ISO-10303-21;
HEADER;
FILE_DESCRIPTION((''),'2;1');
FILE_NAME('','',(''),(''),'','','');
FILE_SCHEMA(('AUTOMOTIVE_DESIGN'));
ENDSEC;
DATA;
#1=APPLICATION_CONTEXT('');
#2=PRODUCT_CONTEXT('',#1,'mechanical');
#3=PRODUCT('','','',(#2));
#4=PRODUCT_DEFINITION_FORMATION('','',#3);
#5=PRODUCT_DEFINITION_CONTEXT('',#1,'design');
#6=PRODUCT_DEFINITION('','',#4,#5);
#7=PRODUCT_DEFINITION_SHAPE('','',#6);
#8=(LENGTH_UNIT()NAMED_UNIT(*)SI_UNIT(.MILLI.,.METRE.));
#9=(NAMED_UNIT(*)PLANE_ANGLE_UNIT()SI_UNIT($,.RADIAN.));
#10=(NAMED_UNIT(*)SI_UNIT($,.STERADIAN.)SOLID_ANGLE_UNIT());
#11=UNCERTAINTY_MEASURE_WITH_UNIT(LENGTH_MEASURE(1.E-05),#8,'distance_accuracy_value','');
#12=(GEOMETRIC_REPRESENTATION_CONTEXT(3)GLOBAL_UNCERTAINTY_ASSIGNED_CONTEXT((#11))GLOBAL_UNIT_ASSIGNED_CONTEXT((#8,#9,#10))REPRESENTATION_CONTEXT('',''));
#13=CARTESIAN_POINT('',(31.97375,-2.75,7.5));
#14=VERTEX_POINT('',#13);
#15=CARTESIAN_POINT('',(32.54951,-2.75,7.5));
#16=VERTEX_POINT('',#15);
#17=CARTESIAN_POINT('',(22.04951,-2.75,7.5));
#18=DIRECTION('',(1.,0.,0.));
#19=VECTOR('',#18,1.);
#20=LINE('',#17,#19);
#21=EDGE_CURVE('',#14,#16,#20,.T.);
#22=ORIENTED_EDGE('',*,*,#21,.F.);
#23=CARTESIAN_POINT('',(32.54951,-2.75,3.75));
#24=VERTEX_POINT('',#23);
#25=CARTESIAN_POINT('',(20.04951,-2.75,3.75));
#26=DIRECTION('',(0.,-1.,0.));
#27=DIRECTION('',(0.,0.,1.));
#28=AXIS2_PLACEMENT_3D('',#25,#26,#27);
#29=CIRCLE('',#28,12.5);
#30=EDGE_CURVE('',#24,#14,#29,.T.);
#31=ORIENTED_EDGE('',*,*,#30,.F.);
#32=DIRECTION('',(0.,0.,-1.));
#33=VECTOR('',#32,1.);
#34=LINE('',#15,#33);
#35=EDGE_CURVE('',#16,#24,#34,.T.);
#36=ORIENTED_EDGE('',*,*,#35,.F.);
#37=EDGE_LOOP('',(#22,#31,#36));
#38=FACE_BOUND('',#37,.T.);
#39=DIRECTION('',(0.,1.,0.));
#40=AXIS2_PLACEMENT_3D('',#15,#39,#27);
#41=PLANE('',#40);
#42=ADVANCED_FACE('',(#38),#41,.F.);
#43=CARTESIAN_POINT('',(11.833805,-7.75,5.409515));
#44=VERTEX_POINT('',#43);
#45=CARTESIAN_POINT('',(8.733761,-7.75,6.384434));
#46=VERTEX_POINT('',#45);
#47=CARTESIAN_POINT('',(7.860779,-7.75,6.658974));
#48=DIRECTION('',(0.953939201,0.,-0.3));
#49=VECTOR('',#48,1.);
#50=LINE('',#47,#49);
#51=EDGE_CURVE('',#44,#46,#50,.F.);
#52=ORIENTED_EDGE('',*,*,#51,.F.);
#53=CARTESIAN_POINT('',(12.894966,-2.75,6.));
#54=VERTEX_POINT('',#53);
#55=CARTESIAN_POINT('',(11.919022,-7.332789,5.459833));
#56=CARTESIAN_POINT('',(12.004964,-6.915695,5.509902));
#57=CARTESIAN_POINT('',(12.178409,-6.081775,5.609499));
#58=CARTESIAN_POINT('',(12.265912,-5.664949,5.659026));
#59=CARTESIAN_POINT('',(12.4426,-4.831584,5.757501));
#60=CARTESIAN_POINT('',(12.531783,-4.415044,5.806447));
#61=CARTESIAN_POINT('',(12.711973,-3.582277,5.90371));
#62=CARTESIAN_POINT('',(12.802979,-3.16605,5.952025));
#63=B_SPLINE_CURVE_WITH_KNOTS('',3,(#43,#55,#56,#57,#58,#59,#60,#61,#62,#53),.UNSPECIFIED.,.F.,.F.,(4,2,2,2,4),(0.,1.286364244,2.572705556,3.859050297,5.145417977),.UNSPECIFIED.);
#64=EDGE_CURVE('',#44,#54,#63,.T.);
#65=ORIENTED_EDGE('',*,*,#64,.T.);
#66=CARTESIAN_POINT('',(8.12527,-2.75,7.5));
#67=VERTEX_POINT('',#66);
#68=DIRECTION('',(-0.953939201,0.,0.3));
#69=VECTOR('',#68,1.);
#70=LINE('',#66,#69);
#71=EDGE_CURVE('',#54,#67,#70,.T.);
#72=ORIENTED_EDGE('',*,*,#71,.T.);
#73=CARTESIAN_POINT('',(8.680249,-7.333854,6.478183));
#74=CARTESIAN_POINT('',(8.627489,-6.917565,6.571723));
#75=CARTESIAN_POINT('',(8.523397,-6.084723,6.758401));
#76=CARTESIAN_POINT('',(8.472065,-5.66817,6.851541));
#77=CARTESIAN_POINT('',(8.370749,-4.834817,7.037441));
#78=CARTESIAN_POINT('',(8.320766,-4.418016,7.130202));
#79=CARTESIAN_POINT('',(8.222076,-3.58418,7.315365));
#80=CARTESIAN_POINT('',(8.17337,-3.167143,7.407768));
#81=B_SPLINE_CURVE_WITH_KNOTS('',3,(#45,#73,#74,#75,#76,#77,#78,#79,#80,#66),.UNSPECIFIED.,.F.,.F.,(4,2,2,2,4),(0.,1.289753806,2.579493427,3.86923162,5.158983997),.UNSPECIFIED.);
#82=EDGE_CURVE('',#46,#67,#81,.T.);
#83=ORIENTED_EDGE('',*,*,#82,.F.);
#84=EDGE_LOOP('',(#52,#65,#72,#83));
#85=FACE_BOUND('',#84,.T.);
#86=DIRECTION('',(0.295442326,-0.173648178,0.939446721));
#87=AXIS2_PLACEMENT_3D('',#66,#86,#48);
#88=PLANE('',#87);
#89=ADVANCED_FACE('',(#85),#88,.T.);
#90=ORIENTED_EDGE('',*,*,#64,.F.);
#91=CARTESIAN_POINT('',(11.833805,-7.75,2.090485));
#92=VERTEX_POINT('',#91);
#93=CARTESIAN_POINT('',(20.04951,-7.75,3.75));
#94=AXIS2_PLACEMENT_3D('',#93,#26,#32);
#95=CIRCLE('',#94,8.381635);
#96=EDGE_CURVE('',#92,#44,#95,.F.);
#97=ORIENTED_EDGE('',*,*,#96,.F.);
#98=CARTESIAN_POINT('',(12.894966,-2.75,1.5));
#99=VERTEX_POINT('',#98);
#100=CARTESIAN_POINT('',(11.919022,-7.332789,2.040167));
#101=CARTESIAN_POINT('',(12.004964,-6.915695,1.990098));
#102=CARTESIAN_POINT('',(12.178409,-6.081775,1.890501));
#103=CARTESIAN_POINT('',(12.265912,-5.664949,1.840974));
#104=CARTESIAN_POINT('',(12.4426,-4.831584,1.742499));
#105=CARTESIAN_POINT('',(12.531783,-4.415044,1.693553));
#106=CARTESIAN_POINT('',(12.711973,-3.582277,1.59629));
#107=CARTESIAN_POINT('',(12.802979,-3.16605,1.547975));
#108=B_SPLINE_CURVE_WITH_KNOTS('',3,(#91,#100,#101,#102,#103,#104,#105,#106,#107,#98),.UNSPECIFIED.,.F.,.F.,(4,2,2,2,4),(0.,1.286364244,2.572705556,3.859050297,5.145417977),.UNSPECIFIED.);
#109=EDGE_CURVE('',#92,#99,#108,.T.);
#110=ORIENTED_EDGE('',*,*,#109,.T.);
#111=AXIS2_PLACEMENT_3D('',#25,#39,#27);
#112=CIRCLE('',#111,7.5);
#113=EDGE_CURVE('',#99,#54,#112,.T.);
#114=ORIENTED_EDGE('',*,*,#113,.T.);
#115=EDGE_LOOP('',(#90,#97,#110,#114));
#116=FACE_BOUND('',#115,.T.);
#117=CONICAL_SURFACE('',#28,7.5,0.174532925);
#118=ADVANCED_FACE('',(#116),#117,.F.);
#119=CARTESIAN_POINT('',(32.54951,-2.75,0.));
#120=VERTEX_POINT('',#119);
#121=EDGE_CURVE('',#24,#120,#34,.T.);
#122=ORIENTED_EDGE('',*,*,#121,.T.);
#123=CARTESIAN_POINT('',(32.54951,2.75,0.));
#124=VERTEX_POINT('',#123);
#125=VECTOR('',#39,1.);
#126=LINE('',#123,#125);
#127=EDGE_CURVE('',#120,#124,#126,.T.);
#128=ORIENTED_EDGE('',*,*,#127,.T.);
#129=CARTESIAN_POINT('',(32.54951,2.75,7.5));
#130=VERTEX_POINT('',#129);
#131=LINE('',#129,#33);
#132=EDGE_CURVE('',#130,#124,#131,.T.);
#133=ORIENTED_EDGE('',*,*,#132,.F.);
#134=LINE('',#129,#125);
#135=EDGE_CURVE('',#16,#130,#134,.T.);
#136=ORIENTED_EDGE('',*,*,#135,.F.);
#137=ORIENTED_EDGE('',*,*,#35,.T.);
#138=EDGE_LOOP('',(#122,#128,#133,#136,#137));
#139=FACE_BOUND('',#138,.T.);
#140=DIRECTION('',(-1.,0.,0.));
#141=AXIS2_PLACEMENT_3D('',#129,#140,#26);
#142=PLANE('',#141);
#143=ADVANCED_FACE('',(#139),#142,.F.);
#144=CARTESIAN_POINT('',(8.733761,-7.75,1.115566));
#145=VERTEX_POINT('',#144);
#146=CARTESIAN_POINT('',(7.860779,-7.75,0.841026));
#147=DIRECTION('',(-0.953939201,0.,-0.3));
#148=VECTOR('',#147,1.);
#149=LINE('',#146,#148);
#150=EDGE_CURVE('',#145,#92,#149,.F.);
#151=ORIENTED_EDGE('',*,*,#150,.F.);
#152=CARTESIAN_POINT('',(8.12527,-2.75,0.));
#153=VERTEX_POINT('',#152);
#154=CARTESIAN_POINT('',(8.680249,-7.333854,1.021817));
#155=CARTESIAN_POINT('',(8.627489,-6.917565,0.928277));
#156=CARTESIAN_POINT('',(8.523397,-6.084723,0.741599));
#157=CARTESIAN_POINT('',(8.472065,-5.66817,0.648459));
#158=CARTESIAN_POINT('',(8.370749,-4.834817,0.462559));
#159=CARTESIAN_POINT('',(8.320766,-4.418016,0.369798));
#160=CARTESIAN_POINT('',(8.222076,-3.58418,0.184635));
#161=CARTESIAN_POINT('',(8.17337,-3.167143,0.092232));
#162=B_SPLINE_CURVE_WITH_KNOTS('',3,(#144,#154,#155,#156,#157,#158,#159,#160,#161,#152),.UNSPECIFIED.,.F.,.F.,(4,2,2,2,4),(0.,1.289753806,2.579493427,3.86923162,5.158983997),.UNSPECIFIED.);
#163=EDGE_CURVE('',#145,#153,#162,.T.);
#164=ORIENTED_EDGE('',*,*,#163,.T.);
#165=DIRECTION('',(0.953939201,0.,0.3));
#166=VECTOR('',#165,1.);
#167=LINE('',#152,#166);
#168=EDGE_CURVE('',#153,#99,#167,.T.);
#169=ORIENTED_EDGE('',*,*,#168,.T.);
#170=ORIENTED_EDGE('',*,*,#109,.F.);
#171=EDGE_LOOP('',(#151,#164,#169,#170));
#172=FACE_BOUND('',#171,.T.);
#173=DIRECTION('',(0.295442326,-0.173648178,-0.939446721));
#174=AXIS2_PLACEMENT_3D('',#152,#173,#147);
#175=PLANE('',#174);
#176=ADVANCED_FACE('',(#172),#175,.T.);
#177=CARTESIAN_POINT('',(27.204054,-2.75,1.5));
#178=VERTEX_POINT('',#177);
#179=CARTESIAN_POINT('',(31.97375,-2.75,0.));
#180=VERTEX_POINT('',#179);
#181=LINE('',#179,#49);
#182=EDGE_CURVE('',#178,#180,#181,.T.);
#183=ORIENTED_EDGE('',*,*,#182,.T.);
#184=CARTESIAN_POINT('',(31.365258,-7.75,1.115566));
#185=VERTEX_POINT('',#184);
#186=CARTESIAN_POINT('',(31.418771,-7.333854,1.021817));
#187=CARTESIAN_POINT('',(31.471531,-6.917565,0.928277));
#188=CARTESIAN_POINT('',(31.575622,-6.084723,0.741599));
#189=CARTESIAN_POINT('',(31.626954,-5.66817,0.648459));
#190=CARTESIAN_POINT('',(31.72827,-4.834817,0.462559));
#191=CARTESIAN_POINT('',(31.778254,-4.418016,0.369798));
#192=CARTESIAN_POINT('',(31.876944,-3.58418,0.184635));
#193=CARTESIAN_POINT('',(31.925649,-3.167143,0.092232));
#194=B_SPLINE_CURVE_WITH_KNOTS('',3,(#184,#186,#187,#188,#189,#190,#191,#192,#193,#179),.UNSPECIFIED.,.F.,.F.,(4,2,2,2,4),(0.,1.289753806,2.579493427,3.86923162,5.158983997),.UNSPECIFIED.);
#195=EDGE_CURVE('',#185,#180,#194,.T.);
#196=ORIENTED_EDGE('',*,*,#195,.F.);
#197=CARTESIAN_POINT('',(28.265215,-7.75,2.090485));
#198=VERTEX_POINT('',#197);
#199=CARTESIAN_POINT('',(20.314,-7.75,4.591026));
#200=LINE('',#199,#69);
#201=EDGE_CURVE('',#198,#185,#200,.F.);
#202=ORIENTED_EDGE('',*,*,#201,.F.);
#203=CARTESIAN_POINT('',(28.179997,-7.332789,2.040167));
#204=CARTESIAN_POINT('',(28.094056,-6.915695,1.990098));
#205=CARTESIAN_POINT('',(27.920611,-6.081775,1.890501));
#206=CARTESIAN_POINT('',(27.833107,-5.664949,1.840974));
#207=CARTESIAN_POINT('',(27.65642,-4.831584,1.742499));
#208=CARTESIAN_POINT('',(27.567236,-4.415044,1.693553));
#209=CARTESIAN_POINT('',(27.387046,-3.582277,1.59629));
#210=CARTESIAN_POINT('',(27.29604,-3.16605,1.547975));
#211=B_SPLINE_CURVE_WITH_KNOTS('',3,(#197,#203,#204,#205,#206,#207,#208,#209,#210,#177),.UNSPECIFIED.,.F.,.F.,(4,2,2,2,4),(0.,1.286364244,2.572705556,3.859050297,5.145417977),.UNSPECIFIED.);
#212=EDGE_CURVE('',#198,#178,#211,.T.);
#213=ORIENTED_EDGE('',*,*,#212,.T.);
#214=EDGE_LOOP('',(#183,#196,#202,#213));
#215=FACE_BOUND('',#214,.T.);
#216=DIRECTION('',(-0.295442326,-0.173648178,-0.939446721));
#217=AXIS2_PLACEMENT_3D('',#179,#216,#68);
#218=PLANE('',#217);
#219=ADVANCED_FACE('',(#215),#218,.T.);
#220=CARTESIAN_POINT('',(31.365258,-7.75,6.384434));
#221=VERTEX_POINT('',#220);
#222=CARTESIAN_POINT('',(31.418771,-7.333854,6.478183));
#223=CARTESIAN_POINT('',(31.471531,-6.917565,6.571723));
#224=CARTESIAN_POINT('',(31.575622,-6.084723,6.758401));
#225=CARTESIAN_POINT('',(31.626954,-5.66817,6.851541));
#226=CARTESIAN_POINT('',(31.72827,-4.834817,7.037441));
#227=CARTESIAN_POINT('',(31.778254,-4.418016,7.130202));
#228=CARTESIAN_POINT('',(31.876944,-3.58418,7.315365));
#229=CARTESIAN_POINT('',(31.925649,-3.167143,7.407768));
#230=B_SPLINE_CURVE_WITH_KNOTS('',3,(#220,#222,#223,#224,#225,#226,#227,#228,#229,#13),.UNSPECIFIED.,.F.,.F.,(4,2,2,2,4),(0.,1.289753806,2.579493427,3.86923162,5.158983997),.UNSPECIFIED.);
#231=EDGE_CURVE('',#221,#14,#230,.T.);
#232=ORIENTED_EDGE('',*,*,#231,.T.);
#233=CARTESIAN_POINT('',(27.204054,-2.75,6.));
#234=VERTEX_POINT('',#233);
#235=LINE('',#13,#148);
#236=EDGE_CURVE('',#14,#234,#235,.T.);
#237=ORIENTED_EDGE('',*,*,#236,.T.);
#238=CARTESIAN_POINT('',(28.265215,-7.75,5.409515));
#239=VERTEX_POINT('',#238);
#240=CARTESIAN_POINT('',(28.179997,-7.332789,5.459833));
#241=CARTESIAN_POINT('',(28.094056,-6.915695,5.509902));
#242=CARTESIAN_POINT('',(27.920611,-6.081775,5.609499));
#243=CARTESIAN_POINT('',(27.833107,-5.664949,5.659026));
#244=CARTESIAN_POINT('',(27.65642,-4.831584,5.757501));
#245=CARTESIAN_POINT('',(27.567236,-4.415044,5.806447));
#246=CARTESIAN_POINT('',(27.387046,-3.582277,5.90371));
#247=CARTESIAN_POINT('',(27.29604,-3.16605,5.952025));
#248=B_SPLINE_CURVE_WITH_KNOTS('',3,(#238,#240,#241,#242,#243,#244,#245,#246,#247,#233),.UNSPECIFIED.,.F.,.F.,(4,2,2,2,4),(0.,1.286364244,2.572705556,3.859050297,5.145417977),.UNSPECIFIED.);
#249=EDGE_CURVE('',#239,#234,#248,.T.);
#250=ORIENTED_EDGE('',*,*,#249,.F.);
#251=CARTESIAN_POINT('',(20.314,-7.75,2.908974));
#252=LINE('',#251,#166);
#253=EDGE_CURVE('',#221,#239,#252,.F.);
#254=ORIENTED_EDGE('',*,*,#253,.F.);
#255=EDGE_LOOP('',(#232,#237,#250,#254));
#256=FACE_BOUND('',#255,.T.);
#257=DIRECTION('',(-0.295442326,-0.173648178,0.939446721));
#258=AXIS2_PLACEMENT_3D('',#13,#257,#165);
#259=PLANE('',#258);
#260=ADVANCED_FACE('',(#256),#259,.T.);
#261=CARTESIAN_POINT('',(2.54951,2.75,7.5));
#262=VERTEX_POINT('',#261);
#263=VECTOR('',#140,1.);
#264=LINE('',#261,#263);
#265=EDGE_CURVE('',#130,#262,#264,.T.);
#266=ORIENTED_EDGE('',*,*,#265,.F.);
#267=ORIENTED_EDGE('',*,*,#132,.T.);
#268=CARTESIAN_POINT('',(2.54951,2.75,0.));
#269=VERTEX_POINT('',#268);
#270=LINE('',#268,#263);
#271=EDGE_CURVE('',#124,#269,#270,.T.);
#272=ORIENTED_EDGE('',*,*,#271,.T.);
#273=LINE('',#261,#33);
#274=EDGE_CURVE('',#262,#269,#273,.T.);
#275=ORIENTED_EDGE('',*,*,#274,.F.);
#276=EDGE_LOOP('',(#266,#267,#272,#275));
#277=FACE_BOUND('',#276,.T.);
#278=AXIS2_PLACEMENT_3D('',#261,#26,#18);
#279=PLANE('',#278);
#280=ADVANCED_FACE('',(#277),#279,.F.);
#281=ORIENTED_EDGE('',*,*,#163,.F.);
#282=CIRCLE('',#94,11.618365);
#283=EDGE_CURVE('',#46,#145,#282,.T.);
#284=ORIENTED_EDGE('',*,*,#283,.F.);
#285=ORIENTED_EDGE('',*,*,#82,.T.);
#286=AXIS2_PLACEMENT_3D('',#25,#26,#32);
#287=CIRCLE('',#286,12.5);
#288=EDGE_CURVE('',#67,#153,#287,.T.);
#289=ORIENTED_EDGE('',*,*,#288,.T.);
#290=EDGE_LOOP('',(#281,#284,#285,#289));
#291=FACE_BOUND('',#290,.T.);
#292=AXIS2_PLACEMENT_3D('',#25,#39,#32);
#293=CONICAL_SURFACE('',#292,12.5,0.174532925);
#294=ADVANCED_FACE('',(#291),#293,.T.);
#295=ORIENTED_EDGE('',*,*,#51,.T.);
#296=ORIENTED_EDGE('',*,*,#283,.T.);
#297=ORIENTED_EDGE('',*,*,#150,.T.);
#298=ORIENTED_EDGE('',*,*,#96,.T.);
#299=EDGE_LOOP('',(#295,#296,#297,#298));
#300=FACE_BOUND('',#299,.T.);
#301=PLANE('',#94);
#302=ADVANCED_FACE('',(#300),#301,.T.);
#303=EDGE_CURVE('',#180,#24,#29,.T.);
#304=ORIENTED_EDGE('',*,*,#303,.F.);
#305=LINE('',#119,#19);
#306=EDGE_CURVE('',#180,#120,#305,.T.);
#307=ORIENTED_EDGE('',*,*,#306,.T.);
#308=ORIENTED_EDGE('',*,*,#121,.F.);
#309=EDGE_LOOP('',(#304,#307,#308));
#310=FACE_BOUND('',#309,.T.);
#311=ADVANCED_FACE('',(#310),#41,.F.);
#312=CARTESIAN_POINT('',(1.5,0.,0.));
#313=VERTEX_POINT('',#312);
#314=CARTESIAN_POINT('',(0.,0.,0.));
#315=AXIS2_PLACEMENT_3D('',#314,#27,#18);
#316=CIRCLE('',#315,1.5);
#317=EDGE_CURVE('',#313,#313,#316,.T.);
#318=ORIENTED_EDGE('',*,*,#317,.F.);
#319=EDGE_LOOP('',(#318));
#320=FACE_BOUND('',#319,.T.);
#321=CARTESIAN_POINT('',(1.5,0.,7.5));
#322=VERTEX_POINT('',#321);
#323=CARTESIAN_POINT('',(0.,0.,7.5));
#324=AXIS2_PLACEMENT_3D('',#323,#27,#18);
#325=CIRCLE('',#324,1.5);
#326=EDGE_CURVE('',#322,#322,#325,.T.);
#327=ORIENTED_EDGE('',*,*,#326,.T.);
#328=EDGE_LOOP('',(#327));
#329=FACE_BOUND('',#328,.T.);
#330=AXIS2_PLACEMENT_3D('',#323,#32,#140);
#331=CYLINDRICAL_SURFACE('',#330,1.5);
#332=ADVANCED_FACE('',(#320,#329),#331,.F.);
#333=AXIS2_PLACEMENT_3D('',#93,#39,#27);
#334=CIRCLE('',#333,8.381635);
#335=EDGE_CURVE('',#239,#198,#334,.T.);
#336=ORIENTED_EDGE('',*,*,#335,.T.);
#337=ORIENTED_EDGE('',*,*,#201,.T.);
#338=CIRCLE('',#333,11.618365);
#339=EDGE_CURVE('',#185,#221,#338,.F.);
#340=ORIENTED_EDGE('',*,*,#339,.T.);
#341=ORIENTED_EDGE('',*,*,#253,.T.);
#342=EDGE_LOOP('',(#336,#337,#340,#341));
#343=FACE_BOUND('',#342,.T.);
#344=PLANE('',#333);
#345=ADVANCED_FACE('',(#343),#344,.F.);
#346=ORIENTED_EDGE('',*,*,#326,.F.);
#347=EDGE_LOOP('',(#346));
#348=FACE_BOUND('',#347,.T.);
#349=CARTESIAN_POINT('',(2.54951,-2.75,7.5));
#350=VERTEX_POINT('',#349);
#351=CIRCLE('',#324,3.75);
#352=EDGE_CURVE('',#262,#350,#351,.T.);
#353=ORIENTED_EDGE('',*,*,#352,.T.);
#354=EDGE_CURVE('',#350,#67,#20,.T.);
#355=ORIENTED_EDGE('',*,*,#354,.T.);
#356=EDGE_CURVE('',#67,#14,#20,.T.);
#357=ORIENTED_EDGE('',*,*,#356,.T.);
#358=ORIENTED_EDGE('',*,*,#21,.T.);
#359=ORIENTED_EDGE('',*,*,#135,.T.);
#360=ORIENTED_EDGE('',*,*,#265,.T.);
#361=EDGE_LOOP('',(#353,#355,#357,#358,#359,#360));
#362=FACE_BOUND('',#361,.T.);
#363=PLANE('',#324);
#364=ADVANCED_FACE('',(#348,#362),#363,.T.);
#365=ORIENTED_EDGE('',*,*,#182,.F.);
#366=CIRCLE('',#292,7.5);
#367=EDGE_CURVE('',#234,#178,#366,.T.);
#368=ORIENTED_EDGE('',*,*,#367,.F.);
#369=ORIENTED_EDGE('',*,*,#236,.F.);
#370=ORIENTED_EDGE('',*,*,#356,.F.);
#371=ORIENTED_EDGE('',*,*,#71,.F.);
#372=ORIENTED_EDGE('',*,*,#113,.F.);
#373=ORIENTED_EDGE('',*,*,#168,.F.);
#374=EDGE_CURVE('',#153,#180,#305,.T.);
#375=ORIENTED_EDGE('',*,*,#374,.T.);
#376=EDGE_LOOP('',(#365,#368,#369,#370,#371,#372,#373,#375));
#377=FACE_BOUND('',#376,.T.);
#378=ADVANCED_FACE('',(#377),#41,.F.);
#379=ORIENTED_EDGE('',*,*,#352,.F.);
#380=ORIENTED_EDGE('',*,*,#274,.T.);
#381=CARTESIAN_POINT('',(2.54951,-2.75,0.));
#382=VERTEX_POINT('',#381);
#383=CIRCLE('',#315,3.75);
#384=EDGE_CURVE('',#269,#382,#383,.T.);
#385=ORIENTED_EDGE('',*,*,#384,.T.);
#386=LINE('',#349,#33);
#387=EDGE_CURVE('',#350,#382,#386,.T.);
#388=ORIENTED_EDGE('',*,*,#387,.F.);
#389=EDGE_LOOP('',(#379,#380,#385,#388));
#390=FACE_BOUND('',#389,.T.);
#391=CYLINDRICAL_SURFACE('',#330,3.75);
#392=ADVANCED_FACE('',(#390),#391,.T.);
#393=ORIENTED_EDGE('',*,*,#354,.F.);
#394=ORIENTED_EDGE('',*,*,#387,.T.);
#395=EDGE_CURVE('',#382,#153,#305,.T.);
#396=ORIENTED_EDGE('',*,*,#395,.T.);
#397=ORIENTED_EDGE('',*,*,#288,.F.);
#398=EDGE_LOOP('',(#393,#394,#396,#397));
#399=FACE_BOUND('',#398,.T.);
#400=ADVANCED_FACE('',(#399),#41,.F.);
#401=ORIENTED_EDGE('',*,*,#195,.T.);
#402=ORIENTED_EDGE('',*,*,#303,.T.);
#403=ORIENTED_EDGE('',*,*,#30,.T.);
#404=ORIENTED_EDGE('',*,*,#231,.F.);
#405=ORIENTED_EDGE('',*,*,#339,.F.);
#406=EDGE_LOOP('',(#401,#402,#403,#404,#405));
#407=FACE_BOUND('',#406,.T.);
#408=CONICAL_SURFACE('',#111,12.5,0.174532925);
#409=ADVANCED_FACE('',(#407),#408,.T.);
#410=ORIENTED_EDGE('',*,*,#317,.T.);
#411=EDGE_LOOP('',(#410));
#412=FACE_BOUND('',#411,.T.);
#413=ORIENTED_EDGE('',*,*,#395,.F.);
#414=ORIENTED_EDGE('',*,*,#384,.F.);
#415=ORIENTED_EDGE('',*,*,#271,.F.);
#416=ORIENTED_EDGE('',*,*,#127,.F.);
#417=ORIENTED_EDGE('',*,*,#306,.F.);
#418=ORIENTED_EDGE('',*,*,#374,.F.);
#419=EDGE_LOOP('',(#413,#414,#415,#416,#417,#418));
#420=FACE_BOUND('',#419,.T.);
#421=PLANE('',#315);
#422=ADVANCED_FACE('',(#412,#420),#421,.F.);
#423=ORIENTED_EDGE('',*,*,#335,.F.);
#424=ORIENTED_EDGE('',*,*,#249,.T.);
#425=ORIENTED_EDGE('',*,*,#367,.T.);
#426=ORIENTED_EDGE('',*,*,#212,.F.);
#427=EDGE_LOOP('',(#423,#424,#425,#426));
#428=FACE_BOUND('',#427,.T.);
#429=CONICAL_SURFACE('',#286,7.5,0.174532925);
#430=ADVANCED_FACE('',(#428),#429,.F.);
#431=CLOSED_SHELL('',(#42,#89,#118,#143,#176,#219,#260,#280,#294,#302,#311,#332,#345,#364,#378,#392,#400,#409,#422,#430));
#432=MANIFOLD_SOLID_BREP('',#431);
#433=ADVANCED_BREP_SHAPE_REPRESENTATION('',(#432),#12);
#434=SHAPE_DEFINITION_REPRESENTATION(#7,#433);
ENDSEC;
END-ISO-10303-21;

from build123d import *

# Parameters (mm, degrees)
SKETCH1_R                     = 1.5
BOSS_EXTRUDE1_DEPTH           = 7.5
BOSS_EXTRUDE3_DEPTH           = 5
BOSS_EXTRUDE3_DRAFT           = 10
BOSS_EXTRUDE3_PROFILE_2_DEPTH = 5
BOSS_EXTRUDE3_PROFILE_2_DRAFT = 10


with BuildPart() as part:
    # Sketch1 → Boss-Extrude1 (new body)
    with BuildSketch(Plane.XY):
        with BuildLine():
            Line((2.549509757, 2.75), (32.549509757, 2.75))
            Line((32.549509757, 2.75), (32.549509757, -2.75))
            Line((32.549509757, -2.75), (22.049509757, -2.75))
            Line((22.049509757, -2.75), (2.549509757, -2.75))
            ThreePointArc((2.549509757, -2.75), (-3.75, 0), (2.549509757, 2.75))
        make_face()
        Circle(SKETCH1_R, mode=Mode.SUBTRACT)
    extrude(amount=BOSS_EXTRUDE1_DEPTH)


with BuildPart() as boss_extrude3_tool:
    # Sketch2 → Boss-Extrude3 (with draft: the straight prism first)
    with BuildSketch(Plane.XZ.offset(2.75)):
        with BuildLine():
            Line((31.973749775, 7.5), (27.204053767, 6))
            ThreePointArc((27.204053767, 6), (27.549509757, 3.75), (27.204053767, 1.5))
            Line((27.204053767, 1.5), (31.973749775, 0))
            ThreePointArc((31.973749775, 0), (32.549509757, 3.75), (31.973749775, 7.5))
        make_face()
    extrude(amount=BOSS_EXTRUDE3_DEPTH)
    # Boss-Extrude3: the draft: its side faces are tilted about the plane it starts from
    boss_extrude3_sides = [boss_extrude3_tool.faces().sort_by_distance(p)[0] for p in [
        (32.549509757, -5.25, 3.75),
        (29.588901771, -5.25, 6.75),
        (27.549509757, -5.25, 3.75),
        (29.588901771, -5.25, 0.75),
    ]]
    draft(boss_extrude3_sides, Plane.XZ.offset(2.75), BOSS_EXTRUDE3_DRAFT)


with BuildPart() as part_1:
    add(part.part)

    # Boss-Extrude3: add boss_extrude3_tool
    add(boss_extrude3_tool.part)


with BuildPart() as boss_extrude3_profile_2_tool:
    # Sketch2 → Boss-Extrude3 profile 2 (with draft: the straight prism first)
    with BuildSketch(Plane.XZ.offset(2.75)):
        with BuildLine():
            ThreePointArc((8.125269739, 7.5), (7.549509757, 3.75), (8.125269739, 0))
            Line((8.125269739, 0), (12.894965746, 1.5))
            ThreePointArc((12.894965746, 1.5), (12.549509757, 3.75), (12.894965746, 6))
            Line((12.894965746, 6), (8.125269739, 7.5))
        make_face()
    extrude(amount=BOSS_EXTRUDE3_PROFILE_2_DEPTH)
    # Boss-Extrude3 profile 2: the draft: its side faces are tilted about the plane it starts from
    boss_extrude3_profile_2_sides = [boss_extrude3_profile_2_tool.faces().sort_by_distance(p)[0] for p in [
        (10.510117743, -5.25, 0.75),
        (12.549509757, -5.25, 3.75),
        (10.510117743, -5.25, 6.75),
        (7.549509757, -5.25, 3.75),
    ]]
    draft(boss_extrude3_profile_2_sides, Plane.XZ.offset(2.75), BOSS_EXTRUDE3_PROFILE_2_DRAFT)


with BuildPart() as part_2:
    add(part_1.part)

    # Boss-Extrude3 profile 2: add boss_extrude3_profile_2_tool
    add(boss_extrude3_profile_2_tool.part)


solid = part_2.part
